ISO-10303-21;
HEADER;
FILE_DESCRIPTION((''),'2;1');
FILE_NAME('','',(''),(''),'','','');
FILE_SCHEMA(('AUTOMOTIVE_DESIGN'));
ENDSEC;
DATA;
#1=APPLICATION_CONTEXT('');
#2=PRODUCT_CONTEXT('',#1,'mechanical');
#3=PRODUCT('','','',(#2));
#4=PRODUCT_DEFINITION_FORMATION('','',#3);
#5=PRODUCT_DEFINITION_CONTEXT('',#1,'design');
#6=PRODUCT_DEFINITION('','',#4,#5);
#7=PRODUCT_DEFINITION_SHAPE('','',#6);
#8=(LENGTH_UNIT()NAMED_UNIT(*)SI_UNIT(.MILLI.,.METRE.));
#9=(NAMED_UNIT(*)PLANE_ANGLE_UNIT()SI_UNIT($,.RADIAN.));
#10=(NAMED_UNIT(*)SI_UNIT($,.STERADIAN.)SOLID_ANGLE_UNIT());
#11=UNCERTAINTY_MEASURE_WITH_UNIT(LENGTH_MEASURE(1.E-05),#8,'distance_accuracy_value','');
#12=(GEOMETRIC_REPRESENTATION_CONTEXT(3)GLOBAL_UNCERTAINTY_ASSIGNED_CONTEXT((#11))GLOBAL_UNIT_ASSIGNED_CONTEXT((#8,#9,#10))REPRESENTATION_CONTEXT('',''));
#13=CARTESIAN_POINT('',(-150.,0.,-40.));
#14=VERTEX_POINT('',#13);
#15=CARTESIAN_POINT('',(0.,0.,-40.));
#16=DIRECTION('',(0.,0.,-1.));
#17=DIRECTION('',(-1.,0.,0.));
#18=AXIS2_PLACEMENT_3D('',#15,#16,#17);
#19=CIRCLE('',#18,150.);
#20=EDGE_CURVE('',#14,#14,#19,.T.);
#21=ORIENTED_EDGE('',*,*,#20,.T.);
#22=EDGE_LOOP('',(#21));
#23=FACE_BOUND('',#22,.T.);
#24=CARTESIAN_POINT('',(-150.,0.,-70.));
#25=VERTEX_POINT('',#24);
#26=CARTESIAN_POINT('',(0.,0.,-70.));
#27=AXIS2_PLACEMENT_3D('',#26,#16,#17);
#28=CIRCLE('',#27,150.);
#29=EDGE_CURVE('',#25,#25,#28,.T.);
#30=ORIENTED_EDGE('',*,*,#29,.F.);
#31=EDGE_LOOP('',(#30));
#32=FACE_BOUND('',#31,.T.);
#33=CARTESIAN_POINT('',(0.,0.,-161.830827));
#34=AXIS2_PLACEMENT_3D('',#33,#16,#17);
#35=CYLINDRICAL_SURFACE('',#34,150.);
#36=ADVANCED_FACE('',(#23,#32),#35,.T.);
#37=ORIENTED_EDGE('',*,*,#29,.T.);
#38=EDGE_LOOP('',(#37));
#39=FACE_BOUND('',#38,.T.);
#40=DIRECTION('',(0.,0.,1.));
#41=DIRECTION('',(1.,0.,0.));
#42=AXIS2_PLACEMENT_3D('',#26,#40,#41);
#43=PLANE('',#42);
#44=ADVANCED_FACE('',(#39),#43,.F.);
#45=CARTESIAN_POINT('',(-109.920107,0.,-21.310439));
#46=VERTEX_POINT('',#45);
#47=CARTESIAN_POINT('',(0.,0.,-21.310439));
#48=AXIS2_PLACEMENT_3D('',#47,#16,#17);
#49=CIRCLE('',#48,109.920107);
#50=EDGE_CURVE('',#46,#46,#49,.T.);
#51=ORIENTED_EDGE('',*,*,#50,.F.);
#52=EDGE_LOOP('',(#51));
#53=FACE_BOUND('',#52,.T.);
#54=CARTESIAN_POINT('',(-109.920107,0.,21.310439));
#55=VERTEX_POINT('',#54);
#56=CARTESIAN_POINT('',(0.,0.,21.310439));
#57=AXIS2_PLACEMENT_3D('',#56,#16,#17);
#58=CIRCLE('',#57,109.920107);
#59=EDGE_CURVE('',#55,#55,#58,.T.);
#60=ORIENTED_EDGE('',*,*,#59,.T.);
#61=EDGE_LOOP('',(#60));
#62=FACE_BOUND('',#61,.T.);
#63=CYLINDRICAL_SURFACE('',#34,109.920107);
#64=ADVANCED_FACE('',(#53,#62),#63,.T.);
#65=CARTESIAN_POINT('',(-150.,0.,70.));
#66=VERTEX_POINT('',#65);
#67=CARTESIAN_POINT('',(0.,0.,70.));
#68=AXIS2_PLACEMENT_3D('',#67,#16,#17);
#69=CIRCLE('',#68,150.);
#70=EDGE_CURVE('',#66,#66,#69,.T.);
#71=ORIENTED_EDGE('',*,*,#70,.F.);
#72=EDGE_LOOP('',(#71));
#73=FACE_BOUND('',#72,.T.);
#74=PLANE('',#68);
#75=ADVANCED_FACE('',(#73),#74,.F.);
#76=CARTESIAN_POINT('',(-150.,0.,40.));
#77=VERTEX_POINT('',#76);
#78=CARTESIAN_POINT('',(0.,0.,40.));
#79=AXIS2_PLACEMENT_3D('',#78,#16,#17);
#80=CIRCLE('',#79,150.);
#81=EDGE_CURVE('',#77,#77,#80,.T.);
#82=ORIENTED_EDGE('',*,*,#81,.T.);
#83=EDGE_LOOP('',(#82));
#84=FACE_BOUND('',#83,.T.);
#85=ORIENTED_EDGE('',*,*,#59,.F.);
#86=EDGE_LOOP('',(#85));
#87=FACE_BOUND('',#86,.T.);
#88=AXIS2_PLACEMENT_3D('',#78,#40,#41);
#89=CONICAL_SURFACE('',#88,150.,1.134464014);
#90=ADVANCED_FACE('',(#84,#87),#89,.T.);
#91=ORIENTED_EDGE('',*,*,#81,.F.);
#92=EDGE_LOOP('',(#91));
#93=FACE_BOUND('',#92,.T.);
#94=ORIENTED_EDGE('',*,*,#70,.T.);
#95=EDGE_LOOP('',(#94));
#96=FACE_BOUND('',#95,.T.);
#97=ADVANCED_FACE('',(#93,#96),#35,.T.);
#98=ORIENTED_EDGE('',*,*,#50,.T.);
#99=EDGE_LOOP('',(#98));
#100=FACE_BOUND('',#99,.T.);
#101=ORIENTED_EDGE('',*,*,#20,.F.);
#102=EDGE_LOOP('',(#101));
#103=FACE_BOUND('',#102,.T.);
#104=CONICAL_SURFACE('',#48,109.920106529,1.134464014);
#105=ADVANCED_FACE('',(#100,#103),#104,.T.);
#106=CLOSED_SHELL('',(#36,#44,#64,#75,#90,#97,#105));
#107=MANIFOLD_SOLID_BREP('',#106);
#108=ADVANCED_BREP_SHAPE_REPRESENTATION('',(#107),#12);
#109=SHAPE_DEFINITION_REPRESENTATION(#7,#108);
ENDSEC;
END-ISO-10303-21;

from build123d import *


with BuildPart() as part:
    # Sketch1 → Revolve2 (revolve)
    with BuildSketch(Plane(origin=(0, 0, 0), x_dir=(1, 0, 0), z_dir=(0, 1, 0)), mode=Mode.PRIVATE) as revolve2_sk:
        Polygon((0, 70), (150, 70), (150, 40), (109.920106529, 21.310438737), (109.920106529, -21.310438737), (150, -40), (150, -70), (0, -70), align=None)
    revolve(revolve2_sk.sketch.rotate(Axis((0, 0, -161.830826549), (0, 0, 1)), 180), axis=Axis((0, 0, -161.830826549), (0, 0, 1)))


solid = part.part
